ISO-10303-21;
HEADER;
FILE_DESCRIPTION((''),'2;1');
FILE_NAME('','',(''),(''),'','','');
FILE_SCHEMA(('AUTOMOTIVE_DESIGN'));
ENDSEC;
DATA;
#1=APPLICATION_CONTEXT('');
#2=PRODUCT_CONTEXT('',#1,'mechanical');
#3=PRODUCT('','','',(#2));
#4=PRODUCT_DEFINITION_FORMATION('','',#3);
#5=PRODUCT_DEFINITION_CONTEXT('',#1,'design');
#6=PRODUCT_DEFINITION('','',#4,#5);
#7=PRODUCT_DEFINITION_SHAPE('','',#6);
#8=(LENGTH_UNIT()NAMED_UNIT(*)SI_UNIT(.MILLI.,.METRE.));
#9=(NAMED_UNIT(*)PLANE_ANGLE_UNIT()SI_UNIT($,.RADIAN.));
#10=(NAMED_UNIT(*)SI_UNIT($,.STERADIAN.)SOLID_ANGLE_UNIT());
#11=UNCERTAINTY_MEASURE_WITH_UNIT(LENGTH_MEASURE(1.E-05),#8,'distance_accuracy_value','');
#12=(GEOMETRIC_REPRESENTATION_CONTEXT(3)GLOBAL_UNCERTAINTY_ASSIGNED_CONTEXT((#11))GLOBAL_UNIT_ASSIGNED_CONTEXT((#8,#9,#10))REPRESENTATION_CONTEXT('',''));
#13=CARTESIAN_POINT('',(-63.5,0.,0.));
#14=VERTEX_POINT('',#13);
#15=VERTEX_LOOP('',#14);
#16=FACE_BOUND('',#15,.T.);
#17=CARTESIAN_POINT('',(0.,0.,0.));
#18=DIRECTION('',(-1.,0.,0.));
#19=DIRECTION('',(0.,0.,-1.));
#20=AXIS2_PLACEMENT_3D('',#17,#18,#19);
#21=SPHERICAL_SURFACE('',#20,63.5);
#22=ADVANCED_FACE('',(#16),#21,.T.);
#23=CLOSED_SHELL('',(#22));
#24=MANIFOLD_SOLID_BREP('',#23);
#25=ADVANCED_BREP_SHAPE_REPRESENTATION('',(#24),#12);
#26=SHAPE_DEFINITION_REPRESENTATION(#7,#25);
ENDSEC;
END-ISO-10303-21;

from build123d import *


with BuildPart() as part:
    # Sketch1 → Revolve1 (revolve)
    with BuildSketch(Plane(origin=(0, 0, 0), x_dir=(1, 0, 0), z_dir=(0, 1, 0))):
        with BuildLine():
            Line((-63.5, 0), (63.5, 0))
            ThreePointArc((63.5, 0), (0, 63.5), (-63.5, 0))
        make_face()
    revolve(axis=Axis((-63.5, 0, 0), (1, 0, 0)))


solid = part.part
